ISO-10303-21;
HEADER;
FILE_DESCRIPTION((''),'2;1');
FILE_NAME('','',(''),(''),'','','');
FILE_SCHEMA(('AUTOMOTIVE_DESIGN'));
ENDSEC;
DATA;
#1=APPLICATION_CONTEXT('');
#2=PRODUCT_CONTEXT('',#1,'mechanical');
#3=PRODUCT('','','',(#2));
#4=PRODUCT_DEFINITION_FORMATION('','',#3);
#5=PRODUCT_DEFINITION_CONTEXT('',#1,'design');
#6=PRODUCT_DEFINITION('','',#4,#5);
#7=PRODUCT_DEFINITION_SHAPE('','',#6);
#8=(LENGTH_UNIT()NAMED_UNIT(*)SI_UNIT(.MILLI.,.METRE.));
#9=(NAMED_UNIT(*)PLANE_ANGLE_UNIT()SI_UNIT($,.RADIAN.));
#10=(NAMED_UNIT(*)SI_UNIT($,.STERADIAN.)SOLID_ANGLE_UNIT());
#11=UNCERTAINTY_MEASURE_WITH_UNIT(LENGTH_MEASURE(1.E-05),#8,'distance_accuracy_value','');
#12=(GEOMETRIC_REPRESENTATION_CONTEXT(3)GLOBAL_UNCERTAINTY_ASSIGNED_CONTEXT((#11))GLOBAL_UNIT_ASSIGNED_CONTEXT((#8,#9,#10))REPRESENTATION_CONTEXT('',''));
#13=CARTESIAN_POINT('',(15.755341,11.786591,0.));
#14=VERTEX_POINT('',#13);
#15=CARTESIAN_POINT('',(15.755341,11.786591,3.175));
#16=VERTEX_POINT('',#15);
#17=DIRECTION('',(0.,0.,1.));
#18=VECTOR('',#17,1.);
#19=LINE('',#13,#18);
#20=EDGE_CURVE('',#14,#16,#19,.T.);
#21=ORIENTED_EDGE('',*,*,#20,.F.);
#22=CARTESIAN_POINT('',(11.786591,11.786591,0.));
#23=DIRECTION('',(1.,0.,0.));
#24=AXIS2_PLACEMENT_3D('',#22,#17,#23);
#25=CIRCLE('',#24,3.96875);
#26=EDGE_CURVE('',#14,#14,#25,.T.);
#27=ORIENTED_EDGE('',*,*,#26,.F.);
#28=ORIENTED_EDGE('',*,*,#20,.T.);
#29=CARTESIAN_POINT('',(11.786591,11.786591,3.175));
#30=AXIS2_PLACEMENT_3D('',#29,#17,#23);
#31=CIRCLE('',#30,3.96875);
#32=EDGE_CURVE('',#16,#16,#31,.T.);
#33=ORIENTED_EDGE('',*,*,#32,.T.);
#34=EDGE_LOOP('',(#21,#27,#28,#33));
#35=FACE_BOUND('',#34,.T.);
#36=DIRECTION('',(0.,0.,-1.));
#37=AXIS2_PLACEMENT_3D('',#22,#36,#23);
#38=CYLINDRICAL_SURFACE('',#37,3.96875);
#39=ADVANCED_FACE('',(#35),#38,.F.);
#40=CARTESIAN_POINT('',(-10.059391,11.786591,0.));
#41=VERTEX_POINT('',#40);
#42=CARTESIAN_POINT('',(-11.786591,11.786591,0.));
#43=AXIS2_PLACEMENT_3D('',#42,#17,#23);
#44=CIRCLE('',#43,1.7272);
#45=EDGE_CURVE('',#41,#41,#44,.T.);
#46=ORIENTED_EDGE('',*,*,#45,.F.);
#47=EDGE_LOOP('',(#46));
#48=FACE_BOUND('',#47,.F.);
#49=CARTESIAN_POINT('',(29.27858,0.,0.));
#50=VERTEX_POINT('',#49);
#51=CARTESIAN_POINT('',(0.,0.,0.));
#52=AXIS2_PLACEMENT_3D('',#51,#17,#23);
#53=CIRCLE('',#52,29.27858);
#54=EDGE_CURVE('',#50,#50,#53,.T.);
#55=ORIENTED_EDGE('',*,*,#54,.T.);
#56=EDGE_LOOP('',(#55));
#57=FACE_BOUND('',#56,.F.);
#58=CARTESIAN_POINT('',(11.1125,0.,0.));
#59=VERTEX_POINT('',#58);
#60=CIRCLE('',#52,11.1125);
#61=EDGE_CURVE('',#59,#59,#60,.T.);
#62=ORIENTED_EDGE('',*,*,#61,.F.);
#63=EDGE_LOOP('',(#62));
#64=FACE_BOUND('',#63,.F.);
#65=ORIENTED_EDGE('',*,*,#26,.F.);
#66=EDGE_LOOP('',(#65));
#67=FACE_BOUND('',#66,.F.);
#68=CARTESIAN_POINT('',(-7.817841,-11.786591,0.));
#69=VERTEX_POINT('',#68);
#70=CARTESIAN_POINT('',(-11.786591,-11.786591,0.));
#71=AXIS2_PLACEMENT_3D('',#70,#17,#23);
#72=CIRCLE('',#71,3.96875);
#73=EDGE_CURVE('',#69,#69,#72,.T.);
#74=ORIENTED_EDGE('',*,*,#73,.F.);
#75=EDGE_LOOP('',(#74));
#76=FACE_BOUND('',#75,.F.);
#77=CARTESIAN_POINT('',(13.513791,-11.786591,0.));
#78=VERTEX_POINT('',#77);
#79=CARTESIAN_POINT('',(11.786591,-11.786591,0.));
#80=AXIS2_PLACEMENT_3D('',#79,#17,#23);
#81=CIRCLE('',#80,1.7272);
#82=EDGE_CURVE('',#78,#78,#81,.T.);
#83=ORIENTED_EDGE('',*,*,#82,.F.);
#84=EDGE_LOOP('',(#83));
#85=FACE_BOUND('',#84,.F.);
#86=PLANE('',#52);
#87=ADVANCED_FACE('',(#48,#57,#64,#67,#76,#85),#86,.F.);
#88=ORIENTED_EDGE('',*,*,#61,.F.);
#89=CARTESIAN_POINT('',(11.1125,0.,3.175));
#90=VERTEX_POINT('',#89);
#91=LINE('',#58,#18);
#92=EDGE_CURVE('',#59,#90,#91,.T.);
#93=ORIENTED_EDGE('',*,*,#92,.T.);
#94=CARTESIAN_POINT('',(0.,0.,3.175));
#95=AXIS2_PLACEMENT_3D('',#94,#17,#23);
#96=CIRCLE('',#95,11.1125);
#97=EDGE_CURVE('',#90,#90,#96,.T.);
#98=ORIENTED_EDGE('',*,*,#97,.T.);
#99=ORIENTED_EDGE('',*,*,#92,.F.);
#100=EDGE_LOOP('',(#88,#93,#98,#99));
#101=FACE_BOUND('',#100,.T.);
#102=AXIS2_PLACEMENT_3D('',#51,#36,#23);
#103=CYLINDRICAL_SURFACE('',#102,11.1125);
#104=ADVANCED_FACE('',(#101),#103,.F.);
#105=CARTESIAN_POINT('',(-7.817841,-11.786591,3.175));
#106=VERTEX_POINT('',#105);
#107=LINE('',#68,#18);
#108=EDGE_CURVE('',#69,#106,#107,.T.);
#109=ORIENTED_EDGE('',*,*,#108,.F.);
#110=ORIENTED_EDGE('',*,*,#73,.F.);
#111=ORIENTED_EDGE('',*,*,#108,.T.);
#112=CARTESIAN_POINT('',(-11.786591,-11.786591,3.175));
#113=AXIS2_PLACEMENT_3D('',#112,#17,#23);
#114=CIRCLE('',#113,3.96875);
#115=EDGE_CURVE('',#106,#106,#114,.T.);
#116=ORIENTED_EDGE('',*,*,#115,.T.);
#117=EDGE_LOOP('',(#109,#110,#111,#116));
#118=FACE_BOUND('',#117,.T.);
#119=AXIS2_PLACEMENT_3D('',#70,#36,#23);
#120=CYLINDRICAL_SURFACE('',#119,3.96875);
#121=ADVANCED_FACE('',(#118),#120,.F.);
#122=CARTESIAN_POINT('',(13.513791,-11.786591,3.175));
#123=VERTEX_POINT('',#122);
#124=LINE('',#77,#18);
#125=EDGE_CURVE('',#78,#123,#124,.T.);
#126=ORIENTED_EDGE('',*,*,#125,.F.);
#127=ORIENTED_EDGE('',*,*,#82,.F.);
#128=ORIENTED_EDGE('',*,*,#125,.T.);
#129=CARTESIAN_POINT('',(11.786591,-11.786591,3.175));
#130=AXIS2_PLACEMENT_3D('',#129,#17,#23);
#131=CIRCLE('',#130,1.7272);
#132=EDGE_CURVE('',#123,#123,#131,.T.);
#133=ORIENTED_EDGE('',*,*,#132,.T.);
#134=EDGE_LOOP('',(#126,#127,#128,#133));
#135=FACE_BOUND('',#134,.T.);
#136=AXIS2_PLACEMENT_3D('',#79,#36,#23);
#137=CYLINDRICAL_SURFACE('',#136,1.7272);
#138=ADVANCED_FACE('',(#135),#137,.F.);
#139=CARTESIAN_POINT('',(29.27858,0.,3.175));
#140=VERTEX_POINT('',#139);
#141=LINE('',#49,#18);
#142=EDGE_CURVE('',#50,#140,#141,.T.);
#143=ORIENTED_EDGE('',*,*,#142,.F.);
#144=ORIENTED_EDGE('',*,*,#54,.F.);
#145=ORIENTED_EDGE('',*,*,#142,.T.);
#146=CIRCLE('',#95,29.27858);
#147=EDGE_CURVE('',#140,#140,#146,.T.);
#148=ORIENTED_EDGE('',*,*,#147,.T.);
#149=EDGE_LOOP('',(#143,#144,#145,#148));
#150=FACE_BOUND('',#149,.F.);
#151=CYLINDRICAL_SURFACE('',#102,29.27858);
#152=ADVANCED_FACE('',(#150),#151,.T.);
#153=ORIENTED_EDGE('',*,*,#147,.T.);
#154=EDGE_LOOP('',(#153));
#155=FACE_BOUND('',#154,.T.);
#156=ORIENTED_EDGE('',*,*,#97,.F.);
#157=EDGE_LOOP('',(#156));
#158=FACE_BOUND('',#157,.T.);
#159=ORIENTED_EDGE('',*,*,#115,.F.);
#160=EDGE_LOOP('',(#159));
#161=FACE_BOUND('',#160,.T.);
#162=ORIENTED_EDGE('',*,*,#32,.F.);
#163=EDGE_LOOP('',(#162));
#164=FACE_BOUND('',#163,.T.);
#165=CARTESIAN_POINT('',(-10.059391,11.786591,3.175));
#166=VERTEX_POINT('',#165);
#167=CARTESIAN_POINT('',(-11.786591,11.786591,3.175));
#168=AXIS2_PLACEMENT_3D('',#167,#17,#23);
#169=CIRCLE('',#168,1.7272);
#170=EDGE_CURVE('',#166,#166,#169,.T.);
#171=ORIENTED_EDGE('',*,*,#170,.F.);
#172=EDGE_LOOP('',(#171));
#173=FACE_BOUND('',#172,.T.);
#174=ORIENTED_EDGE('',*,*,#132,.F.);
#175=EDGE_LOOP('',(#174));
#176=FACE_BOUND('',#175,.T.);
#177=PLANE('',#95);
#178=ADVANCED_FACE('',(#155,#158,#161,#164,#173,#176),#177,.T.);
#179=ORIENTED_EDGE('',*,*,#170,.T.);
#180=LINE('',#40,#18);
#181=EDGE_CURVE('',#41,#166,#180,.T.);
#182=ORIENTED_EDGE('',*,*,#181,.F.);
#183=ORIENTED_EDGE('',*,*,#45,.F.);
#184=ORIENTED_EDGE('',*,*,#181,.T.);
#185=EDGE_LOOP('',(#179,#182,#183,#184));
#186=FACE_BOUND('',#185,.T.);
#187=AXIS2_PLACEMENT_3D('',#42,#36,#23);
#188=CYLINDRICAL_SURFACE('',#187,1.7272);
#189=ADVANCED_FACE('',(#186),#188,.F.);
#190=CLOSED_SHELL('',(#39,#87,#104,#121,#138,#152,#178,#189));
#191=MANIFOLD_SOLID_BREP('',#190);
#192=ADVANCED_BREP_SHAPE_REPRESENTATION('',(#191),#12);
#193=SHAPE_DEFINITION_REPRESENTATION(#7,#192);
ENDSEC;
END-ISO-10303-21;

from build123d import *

# Parameters (mm, degrees)
F0_R     = 29.27858
F0_R_2   = 3.96875
F0_R_3   = 1.7272
F0_R_4   = 11.1125
F1_DEPTH = 3.175


with BuildPart() as f1:
    # F0 (on Top) → F1 (new body)
    with BuildSketch(Plane.XY):
        Circle(F0_R)
        with Locations((-11.786591, -11.786591)):
            Circle(F0_R_2, mode=Mode.SUBTRACT)
        with Locations((11.786591, -11.786591)):
            Circle(F0_R_3, mode=Mode.SUBTRACT)
        with Locations((-11.786591, 11.786591)):
            Circle(F0_R_3, mode=Mode.SUBTRACT)
        Circle(F0_R_4, mode=Mode.SUBTRACT)
        with Locations((11.786591, 11.786591)):
            Circle(F0_R_2, mode=Mode.SUBTRACT)
    extrude(amount=F1_DEPTH)


solid = f1.part
